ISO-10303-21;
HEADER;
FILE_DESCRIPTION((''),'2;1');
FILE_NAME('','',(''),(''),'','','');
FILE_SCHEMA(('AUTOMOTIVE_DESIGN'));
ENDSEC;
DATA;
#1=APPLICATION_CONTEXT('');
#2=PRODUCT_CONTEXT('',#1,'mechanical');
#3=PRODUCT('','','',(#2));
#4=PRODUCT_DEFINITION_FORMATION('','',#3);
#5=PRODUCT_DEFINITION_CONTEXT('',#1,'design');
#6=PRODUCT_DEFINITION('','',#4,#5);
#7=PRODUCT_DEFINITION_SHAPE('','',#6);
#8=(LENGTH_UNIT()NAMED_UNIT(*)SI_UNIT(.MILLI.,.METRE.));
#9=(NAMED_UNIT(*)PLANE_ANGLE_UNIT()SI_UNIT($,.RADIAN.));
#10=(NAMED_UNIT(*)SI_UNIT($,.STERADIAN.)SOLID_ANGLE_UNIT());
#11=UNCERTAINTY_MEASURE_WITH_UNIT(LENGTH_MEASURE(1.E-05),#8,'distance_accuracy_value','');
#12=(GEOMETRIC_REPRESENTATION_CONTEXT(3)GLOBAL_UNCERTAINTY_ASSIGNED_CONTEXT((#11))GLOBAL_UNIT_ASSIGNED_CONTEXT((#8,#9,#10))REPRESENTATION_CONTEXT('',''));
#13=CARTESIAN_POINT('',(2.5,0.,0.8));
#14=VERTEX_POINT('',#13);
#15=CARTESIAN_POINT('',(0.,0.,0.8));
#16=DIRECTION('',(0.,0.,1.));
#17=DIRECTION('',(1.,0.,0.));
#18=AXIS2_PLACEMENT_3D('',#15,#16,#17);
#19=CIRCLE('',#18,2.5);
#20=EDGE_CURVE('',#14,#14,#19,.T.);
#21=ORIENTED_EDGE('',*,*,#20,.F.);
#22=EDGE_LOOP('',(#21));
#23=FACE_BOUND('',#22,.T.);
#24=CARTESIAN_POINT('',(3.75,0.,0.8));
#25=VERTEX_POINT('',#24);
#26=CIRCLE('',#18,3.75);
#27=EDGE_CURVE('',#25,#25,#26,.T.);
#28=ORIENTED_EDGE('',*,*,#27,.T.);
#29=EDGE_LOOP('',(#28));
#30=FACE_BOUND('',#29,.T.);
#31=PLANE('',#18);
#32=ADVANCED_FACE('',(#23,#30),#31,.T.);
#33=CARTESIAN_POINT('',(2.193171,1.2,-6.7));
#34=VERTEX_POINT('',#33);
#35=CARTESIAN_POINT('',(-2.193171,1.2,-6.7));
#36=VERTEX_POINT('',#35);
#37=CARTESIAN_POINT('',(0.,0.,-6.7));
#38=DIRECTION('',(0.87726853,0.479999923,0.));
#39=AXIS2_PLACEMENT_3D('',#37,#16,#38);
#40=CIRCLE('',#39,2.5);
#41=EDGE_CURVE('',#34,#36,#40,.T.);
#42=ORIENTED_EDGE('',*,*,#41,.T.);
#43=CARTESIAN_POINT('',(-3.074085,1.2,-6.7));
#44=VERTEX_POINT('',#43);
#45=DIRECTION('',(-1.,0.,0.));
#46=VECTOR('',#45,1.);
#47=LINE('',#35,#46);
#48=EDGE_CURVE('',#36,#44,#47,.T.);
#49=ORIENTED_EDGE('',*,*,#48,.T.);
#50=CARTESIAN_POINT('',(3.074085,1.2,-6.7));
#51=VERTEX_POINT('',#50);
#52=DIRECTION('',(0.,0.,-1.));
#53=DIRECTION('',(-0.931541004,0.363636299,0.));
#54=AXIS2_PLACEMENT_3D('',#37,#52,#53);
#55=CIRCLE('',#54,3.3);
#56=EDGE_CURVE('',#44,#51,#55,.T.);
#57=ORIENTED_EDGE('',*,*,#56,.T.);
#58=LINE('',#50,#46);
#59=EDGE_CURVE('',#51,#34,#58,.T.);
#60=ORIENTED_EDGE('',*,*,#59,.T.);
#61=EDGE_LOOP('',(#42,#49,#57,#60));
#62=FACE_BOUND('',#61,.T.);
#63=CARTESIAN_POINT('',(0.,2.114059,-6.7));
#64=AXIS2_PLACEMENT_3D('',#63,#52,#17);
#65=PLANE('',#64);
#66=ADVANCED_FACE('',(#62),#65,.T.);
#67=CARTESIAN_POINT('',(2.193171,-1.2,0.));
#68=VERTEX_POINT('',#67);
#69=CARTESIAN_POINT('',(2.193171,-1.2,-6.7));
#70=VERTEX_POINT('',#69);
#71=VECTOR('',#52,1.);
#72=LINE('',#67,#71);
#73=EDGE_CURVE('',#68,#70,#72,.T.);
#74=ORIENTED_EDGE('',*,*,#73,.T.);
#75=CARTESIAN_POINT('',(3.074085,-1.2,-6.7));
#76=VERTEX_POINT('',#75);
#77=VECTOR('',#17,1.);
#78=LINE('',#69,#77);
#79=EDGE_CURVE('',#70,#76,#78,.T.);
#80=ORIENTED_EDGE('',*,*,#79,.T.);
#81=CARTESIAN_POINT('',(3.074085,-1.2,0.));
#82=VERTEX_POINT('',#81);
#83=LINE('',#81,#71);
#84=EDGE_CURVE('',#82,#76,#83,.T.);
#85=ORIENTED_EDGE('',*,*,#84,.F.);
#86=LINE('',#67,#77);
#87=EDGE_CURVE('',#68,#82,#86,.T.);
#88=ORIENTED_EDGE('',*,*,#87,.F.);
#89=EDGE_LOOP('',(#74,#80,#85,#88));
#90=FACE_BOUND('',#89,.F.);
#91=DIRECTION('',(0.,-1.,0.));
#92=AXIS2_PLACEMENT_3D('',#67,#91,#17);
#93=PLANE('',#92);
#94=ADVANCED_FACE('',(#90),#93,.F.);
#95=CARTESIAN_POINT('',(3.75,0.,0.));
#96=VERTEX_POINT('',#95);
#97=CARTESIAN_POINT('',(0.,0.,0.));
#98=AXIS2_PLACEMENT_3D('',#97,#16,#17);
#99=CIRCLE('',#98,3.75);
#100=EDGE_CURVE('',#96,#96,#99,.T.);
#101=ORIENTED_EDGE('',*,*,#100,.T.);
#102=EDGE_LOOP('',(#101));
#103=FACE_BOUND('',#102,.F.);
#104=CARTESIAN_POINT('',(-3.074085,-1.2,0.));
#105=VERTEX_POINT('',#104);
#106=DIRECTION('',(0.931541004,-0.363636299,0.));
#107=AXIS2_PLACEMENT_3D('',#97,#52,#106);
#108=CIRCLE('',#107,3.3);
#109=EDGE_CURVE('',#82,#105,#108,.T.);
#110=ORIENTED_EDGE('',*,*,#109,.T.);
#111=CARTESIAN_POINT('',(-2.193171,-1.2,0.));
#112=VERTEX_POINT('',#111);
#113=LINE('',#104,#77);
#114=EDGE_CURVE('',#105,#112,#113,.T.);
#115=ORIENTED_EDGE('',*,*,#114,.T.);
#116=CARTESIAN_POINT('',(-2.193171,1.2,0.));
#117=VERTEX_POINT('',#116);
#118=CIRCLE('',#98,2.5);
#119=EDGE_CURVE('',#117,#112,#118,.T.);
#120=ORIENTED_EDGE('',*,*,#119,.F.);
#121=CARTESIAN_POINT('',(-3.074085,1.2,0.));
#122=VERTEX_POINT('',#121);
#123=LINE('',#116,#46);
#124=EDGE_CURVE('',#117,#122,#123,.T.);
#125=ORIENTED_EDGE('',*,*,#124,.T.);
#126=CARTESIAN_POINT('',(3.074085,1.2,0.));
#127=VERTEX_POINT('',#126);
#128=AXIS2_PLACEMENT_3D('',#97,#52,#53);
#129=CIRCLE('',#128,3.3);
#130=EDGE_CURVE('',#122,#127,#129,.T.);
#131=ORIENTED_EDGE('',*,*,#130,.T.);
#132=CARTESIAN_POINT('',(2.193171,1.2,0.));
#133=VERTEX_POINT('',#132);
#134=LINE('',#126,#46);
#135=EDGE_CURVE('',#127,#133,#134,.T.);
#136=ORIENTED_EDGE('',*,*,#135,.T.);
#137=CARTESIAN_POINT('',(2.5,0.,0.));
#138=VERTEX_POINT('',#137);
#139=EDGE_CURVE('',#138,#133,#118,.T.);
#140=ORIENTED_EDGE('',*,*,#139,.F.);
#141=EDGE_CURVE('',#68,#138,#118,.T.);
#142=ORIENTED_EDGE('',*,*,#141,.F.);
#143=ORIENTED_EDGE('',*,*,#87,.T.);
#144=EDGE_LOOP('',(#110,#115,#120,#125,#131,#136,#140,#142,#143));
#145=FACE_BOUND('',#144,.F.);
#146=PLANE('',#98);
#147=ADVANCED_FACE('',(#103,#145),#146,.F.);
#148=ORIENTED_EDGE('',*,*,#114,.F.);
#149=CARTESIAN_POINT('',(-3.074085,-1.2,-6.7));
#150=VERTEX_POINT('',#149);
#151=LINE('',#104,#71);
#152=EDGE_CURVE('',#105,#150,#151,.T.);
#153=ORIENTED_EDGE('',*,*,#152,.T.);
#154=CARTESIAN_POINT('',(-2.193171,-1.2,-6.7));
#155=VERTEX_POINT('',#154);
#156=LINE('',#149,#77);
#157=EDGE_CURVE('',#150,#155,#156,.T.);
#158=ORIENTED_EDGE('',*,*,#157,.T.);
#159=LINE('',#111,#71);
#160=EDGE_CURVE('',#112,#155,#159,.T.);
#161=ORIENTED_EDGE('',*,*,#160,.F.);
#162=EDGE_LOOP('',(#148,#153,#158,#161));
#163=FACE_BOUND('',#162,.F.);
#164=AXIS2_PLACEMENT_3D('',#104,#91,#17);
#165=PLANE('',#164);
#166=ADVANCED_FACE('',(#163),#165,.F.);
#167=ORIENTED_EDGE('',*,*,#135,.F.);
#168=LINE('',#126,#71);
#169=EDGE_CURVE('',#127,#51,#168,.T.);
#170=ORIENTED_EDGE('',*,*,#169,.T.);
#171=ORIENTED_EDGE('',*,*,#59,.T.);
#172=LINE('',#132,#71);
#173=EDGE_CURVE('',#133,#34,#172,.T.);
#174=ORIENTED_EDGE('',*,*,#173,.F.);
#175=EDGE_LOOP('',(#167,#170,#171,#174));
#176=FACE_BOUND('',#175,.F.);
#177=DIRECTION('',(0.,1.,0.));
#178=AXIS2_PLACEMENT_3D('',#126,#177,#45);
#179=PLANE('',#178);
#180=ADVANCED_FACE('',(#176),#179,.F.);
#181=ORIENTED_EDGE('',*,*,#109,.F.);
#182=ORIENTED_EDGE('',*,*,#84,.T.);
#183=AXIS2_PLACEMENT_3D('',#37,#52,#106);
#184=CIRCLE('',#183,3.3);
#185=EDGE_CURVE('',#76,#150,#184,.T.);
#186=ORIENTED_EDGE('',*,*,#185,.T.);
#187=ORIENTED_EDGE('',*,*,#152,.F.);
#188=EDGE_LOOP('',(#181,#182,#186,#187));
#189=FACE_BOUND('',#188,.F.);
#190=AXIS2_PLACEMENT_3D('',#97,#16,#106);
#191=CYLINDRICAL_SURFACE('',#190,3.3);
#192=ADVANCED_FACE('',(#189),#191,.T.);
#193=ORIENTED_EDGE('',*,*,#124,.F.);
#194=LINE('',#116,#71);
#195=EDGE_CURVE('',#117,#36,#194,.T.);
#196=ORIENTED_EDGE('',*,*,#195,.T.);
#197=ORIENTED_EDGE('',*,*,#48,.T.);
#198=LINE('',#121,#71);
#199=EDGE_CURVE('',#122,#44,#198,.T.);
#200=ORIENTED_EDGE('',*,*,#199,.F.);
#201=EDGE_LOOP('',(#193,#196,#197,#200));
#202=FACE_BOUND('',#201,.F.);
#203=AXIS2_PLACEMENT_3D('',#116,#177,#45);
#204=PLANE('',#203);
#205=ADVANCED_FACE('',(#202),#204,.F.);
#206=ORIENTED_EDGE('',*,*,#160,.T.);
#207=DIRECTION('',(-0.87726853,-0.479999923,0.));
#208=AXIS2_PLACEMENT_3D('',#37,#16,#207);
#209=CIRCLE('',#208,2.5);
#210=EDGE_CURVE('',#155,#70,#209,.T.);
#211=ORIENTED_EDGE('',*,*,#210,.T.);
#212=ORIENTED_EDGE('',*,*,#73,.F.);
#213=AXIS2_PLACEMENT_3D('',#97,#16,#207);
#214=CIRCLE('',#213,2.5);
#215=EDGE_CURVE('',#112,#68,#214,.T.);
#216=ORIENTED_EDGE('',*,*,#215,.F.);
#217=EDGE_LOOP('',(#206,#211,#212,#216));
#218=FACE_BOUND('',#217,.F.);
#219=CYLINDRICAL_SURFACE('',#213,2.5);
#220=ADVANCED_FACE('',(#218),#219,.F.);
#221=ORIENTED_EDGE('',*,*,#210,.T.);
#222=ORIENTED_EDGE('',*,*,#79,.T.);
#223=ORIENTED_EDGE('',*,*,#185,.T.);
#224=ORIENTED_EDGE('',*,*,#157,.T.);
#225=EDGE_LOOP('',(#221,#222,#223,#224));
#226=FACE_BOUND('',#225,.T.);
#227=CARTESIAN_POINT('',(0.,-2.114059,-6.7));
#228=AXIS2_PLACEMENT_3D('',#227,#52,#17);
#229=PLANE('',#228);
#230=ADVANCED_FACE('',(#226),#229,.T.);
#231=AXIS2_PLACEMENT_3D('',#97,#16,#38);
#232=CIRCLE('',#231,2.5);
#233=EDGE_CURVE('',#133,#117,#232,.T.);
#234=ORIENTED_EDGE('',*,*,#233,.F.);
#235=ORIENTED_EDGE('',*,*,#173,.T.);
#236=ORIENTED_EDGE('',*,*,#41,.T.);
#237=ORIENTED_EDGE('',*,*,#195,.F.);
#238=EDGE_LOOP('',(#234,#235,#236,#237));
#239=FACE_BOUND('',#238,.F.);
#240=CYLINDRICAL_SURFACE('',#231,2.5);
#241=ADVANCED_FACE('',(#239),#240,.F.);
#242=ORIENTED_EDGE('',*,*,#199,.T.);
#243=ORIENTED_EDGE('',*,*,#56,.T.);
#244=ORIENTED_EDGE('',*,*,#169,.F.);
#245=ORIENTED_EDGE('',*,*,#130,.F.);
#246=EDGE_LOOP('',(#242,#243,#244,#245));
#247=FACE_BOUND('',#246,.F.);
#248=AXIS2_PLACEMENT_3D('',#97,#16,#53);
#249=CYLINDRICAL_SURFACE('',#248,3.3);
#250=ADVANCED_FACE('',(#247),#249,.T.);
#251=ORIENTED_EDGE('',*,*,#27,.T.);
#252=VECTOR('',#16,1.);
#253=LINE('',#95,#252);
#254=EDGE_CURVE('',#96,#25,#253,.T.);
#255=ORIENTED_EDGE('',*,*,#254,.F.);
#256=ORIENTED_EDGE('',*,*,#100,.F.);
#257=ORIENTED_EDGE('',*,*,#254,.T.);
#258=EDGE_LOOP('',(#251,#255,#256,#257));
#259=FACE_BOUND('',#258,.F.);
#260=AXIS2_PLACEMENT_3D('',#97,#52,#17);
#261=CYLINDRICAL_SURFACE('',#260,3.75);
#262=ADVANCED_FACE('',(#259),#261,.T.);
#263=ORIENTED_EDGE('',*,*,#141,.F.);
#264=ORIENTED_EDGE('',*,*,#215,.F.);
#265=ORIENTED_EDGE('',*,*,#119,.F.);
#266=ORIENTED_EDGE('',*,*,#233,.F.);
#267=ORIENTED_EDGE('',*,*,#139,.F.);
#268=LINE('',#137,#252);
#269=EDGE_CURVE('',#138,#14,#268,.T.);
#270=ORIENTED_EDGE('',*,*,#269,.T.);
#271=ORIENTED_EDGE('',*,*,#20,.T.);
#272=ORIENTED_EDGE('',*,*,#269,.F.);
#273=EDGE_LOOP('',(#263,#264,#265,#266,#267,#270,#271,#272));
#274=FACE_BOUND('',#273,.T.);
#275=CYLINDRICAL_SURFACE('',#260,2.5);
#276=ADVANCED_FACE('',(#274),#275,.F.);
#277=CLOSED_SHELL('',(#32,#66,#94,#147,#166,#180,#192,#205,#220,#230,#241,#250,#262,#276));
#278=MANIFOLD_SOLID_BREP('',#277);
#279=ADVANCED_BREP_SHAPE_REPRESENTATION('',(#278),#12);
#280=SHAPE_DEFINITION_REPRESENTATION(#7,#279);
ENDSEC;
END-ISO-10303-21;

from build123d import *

# Parameters (mm, degrees)
F0_R     = 3.75
F0_R_2   = 2.5
F1_DEPTH = 0.8
F3_DEPTH = 6.7


with BuildPart() as f1:
    # F0 (on Top) → F1 (new body)
    with BuildSketch(Plane.XY):
        Circle(F0_R)
        Circle(F0_R_2, mode=Mode.SUBTRACT)
    extrude(amount=F1_DEPTH)

    # F2 (on face) → F3 (join)
    with BuildSketch(Plane(origin=(0, 0, 0), x_dir=(1, 0, 0), z_dir=(0, 0, -1))):
        with BuildLine():
            Line((-2.193171, -1.2), (-3.074085, -1.2))
            ThreePointArc((-3.074085, -1.2), (0, -3.3), (3.074085, -1.2))
            Line((3.074085, -1.2), (2.193171, -1.2))
            ThreePointArc((2.193171, -1.2), (0, -2.5), (-2.193171, -1.2))
        make_face()
        with BuildLine():
            ThreePointArc((3.074085, 1.2), (0, 3.3), (-3.074085, 1.2))
            Line((-3.074085, 1.2), (-2.193171, 1.2))
            ThreePointArc((-2.193171, 1.2), (0, 2.5), (2.193171, 1.2))
            Line((2.193171, 1.2), (3.074085, 1.2))
        make_face()
    extrude(amount=F3_DEPTH)


solid = f1.part
